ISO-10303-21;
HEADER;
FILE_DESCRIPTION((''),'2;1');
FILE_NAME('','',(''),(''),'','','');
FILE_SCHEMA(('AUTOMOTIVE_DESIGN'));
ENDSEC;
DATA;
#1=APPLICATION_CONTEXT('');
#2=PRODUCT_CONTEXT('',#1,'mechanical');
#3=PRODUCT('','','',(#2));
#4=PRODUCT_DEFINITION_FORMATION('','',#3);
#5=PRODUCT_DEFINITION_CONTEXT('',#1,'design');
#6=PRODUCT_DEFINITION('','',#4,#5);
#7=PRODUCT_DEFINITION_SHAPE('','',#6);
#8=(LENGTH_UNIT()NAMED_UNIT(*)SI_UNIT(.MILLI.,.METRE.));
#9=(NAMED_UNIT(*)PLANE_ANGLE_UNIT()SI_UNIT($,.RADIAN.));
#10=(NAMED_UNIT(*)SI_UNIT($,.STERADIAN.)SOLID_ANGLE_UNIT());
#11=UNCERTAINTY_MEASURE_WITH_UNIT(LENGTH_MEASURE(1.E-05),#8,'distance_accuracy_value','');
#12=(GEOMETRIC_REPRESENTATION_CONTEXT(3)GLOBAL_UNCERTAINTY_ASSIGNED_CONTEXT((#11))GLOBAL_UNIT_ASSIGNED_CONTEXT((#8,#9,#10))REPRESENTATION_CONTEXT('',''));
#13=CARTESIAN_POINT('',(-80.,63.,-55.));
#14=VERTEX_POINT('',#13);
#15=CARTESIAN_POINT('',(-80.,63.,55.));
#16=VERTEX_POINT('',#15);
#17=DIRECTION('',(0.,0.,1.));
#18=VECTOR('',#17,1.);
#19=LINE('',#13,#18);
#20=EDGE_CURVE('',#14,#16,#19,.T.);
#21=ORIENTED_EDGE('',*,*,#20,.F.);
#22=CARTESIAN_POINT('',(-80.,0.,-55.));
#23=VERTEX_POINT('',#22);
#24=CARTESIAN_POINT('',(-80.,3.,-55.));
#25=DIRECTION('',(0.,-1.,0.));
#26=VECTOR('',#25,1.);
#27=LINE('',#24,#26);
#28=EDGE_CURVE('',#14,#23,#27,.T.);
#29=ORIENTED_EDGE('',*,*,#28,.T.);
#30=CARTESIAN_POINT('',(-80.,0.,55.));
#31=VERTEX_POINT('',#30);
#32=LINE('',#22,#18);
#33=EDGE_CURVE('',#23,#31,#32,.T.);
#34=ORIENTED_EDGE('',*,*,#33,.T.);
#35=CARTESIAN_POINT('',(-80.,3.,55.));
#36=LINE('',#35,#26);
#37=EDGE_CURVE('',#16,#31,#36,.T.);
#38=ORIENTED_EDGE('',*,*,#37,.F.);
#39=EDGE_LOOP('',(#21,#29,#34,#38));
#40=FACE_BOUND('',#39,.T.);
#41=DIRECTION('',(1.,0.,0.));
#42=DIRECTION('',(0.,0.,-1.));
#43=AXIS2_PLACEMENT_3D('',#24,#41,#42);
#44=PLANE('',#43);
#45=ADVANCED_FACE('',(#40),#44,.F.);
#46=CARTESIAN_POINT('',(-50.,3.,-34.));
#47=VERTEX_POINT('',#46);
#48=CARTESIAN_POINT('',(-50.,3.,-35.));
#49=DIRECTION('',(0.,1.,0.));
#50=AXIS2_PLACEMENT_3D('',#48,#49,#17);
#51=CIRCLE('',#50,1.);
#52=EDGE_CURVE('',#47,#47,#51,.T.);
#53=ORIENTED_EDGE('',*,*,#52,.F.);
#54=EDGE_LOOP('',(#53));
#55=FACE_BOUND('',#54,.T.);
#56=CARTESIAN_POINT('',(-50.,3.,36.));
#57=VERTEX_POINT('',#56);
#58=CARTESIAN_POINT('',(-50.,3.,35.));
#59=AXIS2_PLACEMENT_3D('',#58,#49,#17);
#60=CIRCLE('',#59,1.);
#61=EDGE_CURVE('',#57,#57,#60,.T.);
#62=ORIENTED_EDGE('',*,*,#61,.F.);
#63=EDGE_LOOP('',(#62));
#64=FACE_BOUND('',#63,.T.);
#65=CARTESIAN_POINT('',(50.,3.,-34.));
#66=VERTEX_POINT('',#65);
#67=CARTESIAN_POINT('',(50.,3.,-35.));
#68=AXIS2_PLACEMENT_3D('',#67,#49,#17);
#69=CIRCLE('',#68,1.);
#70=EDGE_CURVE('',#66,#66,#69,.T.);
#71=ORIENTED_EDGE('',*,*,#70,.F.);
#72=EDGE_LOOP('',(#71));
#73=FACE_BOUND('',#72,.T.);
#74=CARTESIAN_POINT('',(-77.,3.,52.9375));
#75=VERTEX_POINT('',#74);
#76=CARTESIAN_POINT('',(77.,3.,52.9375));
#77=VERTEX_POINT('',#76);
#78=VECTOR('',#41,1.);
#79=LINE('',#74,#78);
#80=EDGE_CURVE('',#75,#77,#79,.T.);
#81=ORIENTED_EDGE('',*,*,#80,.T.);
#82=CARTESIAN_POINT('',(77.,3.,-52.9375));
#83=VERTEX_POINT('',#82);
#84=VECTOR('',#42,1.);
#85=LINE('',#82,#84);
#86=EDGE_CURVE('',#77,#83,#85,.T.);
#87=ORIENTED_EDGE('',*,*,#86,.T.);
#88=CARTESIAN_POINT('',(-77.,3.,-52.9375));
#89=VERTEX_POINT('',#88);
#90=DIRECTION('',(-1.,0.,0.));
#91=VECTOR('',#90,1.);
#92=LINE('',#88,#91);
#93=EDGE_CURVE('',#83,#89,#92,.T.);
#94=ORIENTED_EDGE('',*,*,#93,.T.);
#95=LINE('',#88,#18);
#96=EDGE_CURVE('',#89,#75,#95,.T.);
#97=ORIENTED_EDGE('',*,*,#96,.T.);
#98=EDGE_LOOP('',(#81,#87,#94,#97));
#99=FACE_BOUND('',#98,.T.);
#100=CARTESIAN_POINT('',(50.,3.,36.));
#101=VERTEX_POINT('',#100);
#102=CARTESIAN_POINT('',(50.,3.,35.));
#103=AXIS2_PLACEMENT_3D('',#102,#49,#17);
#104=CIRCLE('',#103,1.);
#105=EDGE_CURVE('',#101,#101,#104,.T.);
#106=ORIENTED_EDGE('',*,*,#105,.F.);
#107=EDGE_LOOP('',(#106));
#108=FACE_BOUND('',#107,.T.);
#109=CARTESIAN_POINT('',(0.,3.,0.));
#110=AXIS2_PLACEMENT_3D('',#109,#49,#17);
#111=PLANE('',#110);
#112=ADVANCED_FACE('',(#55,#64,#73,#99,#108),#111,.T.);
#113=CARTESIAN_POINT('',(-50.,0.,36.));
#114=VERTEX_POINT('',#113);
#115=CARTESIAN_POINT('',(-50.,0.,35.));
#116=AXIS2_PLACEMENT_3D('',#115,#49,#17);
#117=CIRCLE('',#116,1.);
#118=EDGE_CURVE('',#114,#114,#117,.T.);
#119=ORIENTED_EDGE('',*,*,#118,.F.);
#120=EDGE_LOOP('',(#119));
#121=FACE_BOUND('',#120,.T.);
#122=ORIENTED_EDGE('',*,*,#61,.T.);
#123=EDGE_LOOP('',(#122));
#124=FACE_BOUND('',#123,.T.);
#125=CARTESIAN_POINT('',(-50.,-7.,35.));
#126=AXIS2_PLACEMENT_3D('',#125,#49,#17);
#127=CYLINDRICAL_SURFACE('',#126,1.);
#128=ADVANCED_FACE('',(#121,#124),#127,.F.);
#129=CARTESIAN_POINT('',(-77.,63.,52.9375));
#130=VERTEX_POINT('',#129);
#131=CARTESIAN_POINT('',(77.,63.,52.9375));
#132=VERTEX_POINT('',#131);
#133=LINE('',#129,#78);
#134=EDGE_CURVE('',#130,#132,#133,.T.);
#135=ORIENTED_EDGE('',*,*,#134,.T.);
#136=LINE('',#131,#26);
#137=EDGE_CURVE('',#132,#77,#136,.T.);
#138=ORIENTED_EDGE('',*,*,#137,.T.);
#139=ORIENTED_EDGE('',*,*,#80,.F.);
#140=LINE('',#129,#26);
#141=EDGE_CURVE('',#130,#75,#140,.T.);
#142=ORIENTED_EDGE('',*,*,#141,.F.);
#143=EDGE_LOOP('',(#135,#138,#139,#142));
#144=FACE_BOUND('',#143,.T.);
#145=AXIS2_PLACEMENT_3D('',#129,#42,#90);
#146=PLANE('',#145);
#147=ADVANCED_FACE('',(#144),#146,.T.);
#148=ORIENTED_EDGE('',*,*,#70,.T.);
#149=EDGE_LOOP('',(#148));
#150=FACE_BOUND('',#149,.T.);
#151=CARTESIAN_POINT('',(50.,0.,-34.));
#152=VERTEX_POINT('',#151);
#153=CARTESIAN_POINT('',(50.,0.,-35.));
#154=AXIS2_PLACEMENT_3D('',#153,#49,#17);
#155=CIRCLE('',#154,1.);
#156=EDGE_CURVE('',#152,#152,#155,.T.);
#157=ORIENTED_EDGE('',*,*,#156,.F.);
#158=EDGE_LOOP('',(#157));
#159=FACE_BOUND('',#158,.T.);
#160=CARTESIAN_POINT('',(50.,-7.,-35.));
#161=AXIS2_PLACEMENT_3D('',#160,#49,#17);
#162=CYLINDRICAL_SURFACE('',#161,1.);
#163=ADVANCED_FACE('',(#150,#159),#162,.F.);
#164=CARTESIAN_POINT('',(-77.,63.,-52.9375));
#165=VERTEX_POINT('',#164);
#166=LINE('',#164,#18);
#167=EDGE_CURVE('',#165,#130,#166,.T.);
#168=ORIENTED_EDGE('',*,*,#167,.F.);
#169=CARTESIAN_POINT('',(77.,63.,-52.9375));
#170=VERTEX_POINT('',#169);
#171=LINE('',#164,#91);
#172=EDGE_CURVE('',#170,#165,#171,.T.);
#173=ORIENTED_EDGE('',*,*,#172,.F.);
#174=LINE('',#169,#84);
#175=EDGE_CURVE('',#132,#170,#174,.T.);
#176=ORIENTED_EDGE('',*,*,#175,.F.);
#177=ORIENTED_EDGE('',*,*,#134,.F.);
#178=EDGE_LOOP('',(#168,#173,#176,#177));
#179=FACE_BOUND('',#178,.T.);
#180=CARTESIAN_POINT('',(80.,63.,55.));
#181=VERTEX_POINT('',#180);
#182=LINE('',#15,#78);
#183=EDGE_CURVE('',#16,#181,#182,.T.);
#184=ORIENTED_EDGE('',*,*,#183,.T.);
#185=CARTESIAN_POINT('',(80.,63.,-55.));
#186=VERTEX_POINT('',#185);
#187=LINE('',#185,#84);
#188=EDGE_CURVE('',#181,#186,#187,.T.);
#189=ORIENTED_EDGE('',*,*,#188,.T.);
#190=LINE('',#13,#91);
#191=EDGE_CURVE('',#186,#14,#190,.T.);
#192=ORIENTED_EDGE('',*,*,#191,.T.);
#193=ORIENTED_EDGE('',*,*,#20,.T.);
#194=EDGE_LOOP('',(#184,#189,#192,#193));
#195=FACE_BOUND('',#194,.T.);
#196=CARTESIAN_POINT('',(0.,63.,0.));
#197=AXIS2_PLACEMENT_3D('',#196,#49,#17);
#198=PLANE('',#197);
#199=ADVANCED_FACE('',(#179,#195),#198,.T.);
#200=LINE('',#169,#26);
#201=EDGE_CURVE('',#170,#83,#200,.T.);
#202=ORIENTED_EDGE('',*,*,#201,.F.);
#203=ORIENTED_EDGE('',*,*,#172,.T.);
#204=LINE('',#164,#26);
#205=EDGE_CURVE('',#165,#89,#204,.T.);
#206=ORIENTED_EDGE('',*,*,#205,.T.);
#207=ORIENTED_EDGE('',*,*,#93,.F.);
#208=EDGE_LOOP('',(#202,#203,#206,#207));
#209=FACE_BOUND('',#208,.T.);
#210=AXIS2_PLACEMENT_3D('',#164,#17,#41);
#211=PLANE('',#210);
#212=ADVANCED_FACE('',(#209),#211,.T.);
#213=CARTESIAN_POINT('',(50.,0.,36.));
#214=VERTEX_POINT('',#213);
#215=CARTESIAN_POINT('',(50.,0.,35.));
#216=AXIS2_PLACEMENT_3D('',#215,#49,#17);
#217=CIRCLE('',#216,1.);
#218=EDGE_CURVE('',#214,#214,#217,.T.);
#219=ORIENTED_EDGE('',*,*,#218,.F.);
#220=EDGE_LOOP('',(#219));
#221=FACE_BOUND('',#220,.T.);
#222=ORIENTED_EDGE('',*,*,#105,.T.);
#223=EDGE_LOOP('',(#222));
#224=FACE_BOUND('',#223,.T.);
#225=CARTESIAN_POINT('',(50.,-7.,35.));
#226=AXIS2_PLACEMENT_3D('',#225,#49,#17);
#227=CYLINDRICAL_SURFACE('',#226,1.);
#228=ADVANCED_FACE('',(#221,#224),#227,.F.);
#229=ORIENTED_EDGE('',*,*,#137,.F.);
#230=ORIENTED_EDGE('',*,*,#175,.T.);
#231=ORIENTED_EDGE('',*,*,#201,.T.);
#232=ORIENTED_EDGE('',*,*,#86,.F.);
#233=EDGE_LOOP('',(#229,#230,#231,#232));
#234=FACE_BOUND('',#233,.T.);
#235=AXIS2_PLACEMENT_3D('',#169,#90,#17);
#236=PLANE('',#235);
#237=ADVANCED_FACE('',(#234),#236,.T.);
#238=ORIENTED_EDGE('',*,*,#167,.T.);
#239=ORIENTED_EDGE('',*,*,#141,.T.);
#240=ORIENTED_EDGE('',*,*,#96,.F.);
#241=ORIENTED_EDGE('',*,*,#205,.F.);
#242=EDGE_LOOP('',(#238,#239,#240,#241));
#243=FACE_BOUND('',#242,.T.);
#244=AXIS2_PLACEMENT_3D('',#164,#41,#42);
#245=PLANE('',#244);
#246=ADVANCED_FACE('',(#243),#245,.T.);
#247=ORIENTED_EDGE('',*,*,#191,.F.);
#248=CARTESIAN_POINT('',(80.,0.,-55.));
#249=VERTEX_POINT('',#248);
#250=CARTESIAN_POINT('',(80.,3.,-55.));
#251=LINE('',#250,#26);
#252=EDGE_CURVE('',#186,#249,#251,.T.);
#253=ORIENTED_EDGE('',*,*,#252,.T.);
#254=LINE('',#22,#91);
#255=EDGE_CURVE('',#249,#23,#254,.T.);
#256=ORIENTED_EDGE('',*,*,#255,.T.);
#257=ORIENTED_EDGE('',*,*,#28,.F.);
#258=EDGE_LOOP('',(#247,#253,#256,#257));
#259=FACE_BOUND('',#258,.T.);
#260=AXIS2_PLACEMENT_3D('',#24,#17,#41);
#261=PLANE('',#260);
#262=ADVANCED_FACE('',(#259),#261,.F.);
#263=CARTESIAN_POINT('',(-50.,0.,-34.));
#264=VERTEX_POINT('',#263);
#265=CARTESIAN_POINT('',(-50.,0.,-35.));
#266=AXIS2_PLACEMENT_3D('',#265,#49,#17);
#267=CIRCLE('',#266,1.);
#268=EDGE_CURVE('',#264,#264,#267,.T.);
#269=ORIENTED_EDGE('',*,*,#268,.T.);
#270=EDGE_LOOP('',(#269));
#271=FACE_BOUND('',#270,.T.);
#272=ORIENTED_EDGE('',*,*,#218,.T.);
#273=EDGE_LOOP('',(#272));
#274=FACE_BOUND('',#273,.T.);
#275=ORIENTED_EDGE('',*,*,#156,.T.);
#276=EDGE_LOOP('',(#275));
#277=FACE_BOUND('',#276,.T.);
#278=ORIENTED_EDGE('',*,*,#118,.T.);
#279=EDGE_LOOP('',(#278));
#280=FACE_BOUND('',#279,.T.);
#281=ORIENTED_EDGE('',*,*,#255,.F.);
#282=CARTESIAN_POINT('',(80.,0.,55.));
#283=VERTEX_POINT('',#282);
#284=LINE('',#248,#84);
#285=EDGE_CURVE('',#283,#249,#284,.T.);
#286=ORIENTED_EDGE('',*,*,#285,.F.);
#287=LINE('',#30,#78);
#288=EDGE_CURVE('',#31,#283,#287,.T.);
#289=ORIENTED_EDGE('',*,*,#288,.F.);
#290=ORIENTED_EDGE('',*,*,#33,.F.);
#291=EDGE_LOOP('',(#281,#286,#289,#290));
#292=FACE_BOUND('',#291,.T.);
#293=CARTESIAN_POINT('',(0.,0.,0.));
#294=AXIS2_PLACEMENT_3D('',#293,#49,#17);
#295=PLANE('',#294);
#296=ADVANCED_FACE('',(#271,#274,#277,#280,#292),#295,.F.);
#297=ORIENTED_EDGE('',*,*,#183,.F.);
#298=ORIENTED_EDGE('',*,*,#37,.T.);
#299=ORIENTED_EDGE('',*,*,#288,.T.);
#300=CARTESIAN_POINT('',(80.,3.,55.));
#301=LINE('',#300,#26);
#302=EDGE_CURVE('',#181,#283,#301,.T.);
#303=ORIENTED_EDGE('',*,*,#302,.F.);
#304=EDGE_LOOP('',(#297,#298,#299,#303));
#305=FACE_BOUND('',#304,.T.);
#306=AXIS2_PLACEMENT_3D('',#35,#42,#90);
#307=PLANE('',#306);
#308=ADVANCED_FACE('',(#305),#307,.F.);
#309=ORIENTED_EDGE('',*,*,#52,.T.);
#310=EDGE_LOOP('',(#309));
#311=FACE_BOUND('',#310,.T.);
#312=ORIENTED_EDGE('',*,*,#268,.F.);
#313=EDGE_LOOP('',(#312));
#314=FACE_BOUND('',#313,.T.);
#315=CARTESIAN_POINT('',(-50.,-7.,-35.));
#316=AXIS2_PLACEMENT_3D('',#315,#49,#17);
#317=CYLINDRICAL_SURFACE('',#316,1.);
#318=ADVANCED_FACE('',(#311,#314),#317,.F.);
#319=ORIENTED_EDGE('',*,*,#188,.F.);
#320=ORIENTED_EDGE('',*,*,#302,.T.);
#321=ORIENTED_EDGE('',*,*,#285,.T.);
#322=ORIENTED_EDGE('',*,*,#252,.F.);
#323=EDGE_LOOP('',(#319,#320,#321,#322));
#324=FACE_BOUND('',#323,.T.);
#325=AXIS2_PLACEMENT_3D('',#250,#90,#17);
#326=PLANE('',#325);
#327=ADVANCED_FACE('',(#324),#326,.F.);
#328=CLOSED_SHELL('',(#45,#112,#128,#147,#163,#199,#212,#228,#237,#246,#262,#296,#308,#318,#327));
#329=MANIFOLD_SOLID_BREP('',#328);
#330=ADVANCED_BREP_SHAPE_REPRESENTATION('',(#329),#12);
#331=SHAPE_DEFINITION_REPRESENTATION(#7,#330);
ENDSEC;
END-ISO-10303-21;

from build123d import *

# Parameters (mm, degrees)
SKETCH_1_W          = 160
SKETCH_1_H          = 110
EXTRUDE_1_DEPTH     = 3
SKETCH_2_W          = 160
SKETCH_2_H          = 110
SKETCH_2_W_2        = 154
SKETCH_2_H_2        = 105.875
EXTRUDE_2_DEPTH     = 60
SKETCH_3_R          = 1
CUT_EXTRUDE_1_DEPTH = 10


with BuildPart() as part:
    # 草图1 → 凸台-拉伸1 (new body)
    with BuildSketch(Plane(origin=(0, 0, 0), x_dir=(1, 0, 0), z_dir=(0, 1, 0))):
        Rectangle(SKETCH_1_W, SKETCH_1_H)
    extrude(amount=EXTRUDE_1_DEPTH)

    # 草图2 → 凸台-拉伸2 (add)
    with BuildSketch(Plane(origin=(0, 3, 0), x_dir=(1, 0, 0), z_dir=(0, 1, 0))):
        Rectangle(SKETCH_2_W, SKETCH_2_H)
        Rectangle(SKETCH_2_W_2, SKETCH_2_H_2, mode=Mode.SUBTRACT)
    extrude(amount=EXTRUDE_2_DEPTH)

    # 草图3 → 切除-拉伸1 (cut)
    with BuildSketch(Plane(origin=(0, 3, 0), x_dir=(1, 0, 0), z_dir=(0, 1, 0))):
        with Locations((-50, 35)):
            Circle(SKETCH_3_R)
        with Locations((50, 35)):
            Circle(SKETCH_3_R)
        with Locations((50, -35)):
            Circle(SKETCH_3_R)
        with Locations((-50, -35)):
            Circle(SKETCH_3_R)
    extrude(amount=-CUT_EXTRUDE_1_DEPTH, mode=Mode.SUBTRACT)


solid = part.part
